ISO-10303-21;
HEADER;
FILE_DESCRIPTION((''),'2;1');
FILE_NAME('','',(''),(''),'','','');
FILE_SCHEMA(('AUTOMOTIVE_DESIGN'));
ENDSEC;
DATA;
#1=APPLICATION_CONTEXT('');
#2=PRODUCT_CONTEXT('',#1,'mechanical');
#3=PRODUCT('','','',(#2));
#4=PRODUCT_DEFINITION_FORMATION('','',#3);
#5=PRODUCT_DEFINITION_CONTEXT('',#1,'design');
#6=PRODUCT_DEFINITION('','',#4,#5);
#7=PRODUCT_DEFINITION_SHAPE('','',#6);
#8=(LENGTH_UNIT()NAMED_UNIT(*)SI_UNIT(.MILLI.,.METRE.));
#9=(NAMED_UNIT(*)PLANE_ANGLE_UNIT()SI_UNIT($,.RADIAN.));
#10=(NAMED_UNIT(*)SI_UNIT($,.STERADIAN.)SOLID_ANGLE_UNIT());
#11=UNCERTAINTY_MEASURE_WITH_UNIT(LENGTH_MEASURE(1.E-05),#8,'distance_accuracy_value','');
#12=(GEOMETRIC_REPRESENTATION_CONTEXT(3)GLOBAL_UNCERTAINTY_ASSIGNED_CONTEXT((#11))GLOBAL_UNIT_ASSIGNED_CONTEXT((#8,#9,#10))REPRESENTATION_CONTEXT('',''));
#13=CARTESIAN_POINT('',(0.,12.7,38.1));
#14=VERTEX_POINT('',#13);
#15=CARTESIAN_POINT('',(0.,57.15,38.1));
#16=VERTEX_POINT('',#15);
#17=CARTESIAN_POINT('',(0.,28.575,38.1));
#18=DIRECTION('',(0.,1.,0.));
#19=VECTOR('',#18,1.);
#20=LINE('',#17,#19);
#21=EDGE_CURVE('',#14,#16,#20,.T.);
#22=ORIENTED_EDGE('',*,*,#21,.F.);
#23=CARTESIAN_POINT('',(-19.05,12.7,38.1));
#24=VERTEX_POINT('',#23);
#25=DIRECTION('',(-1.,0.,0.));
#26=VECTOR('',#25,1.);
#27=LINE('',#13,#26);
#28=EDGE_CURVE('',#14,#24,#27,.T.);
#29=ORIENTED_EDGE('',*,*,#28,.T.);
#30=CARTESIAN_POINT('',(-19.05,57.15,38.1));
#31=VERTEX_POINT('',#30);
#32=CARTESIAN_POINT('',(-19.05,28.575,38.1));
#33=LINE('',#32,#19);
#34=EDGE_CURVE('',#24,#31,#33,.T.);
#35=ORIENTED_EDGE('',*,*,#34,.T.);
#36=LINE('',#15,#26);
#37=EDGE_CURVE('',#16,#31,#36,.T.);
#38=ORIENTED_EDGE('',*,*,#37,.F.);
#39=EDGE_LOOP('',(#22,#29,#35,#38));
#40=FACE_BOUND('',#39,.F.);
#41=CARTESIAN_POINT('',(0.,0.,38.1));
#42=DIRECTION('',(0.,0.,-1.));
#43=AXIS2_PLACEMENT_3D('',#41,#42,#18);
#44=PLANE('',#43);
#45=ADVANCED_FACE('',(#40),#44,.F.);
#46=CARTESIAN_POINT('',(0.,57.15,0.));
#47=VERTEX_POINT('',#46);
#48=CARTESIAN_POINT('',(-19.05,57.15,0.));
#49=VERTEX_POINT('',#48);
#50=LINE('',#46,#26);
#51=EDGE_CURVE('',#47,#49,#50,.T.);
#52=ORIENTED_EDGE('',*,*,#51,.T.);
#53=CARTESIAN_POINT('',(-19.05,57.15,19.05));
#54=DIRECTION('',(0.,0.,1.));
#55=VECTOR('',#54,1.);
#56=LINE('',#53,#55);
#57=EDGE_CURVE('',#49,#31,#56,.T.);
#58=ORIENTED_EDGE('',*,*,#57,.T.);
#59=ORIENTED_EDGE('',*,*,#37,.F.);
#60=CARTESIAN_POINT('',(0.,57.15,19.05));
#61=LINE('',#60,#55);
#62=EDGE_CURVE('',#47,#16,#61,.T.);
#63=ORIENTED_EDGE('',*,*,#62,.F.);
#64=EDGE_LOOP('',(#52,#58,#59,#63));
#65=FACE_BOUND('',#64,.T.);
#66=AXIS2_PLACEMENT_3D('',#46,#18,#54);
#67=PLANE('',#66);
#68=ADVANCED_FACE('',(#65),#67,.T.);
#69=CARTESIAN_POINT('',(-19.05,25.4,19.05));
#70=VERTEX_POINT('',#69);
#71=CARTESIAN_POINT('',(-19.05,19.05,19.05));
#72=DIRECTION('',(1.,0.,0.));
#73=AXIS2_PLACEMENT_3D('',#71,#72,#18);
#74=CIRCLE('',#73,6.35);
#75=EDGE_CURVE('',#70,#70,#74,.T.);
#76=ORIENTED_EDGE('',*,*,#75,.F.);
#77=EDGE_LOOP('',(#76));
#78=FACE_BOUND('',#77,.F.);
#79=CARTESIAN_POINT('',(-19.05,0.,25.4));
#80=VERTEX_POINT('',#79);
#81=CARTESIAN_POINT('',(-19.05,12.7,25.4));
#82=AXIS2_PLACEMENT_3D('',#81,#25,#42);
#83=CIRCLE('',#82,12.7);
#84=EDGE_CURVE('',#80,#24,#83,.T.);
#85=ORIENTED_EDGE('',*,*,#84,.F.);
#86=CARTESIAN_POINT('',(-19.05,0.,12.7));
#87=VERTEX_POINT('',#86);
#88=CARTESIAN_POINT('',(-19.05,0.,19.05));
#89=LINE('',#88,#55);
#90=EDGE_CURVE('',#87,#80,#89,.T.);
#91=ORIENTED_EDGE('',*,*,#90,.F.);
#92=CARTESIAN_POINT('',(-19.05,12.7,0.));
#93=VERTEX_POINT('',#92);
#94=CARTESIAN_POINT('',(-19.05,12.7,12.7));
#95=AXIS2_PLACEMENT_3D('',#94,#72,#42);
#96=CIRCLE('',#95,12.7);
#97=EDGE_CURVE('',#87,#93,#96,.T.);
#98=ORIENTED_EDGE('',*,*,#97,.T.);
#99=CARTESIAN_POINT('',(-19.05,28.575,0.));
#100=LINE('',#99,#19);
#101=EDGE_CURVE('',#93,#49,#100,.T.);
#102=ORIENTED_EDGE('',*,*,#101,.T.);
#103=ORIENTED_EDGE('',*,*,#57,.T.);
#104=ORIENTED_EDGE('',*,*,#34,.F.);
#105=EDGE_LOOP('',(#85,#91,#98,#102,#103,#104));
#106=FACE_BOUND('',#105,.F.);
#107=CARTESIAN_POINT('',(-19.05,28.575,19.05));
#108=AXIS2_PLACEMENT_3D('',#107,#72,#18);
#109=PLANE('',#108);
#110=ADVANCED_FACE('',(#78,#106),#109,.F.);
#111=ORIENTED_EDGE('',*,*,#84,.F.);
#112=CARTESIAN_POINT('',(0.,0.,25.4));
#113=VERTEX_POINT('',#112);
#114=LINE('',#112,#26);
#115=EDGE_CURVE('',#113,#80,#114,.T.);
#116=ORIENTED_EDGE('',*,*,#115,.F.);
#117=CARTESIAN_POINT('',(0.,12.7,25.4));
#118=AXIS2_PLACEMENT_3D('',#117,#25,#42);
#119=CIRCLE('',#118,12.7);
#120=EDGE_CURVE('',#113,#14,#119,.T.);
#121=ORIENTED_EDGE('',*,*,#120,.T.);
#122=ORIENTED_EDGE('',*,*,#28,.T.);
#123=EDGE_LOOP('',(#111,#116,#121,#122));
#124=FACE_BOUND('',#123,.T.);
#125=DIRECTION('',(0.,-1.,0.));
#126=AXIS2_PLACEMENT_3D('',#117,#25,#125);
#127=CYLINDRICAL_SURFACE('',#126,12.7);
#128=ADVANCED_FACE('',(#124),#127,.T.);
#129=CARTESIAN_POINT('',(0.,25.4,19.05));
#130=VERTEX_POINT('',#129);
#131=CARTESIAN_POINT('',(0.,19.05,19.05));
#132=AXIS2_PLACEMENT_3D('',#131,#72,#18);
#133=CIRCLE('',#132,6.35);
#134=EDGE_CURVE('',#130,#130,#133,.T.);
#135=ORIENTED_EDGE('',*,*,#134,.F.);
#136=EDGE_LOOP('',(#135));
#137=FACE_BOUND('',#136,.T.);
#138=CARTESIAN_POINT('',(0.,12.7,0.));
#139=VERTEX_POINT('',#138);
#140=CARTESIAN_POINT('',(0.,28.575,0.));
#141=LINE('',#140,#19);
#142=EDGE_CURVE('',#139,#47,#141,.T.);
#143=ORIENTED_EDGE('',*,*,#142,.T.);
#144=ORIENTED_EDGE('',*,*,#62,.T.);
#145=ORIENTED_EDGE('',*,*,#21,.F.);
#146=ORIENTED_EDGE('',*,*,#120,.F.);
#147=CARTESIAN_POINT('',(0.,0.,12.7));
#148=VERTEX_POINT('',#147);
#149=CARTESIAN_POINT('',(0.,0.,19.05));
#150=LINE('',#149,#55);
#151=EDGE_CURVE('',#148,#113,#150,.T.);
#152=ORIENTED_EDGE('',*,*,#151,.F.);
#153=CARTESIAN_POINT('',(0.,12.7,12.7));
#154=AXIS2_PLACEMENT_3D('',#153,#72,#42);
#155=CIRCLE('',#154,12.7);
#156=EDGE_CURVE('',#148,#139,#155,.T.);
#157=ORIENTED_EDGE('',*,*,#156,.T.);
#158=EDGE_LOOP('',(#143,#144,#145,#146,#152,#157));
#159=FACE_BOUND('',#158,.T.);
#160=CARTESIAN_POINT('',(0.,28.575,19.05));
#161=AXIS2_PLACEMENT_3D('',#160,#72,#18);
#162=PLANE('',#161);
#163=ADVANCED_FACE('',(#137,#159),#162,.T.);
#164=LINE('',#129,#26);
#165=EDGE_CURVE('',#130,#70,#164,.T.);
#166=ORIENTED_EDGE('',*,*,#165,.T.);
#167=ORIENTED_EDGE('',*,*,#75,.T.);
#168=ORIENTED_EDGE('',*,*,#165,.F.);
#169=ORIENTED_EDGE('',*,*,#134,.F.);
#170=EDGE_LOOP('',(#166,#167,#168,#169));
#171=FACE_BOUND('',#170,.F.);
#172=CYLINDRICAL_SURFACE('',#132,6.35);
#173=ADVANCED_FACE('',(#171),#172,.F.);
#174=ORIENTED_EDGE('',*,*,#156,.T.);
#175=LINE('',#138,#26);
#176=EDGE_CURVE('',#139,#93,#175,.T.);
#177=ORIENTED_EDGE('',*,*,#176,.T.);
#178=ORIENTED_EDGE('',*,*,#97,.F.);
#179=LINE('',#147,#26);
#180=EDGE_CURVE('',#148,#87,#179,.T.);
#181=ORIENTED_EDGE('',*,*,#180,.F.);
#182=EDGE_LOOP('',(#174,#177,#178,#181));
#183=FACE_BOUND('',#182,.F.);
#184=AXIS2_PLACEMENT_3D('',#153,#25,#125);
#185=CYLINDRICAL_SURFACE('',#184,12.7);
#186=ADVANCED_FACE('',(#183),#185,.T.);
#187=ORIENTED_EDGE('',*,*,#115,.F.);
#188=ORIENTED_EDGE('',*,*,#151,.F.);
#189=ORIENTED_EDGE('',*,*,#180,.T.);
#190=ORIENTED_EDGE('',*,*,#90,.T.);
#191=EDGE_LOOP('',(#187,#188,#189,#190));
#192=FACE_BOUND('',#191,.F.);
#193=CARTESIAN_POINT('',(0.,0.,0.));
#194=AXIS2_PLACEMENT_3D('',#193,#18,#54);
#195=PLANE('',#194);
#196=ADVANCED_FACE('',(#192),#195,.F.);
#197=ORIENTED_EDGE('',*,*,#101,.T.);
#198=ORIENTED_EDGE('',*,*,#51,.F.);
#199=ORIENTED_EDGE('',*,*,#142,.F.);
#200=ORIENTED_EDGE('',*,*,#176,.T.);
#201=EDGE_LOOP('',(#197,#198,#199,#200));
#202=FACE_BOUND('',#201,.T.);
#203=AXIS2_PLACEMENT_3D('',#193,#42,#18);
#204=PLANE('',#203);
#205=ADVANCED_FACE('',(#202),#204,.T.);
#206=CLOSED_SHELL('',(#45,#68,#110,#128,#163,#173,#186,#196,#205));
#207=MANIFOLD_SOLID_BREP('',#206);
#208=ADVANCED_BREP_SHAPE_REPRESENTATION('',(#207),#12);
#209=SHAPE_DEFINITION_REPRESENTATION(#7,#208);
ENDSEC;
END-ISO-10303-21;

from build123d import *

# Parameters (mm, degrees)
F0_W     = 57.15
F0_H     = 38.1
F0_R     = 6.35
F1_DEPTH = 19.05
F2_R     = 12.7


with BuildPart() as f1:
    # F0 (on Right) → F1 (new body)
    with BuildSketch(Plane.YZ):
        with Locations((28.575, 19.05)):
            Rectangle(F0_W, F0_H)
        with Locations((19.05, 19.05)):
            Circle(F0_R, mode=Mode.SUBTRACT)
    extrude(amount=-F1_DEPTH)

    # F2
    f2_edges = [f1.edges().sort_by_distance(p)[0] for p in [
        (-9.525, 0, 0),
        (-9.525, 0, 38.1),
    ]]
    fillet(f2_edges, radius=F2_R)


solid = f1.part
